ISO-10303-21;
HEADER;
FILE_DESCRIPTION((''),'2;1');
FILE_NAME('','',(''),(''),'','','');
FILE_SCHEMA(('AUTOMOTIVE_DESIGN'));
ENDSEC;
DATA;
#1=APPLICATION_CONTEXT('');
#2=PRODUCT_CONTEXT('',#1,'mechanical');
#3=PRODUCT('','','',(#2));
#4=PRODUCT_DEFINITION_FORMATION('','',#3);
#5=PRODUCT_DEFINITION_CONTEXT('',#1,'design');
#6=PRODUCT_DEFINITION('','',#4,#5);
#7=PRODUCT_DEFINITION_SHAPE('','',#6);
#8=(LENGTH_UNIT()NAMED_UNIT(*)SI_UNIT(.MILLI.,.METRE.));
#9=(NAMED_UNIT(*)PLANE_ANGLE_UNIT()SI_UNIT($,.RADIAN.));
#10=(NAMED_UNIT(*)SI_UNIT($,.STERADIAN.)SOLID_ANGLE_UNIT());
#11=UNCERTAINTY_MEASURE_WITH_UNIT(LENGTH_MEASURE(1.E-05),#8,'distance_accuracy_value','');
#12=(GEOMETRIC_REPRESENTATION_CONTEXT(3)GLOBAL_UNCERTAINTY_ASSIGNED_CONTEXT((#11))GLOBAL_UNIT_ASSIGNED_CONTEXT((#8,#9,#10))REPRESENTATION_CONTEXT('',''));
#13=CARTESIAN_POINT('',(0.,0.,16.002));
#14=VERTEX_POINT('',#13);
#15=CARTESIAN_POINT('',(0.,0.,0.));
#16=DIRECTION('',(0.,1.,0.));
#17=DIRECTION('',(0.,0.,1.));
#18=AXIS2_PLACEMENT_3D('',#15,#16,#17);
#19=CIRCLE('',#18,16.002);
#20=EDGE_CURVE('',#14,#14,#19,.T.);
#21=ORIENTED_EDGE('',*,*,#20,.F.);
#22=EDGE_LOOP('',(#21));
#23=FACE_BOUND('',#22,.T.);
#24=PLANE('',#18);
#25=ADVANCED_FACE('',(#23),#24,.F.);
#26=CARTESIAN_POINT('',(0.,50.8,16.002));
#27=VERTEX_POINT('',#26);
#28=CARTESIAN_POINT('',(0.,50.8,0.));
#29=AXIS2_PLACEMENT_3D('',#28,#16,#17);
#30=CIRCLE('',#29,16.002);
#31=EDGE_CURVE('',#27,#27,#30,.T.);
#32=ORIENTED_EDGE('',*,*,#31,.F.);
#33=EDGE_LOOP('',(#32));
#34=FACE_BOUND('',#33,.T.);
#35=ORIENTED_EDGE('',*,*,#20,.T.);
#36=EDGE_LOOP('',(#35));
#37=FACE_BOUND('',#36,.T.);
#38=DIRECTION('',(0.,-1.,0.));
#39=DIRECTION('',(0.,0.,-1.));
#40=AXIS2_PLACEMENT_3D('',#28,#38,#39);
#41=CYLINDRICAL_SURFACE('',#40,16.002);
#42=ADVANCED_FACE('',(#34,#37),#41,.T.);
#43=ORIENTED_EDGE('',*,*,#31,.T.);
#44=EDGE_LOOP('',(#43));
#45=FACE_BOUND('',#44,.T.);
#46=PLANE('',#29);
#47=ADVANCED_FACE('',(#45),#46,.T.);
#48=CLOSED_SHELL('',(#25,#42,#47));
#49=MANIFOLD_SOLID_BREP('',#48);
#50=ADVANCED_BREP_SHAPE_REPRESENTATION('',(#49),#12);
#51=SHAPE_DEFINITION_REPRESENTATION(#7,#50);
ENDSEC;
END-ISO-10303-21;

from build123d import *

# Parameters (mm, degrees)
SKETCH2_R           = 16.002
BOSS_EXTRUDE1_DEPTH = 50.8


with BuildPart() as part:
    # Sketch2 → Boss-Extrude1 (new body)
    with BuildSketch(Plane(origin=(0, 0, 0), x_dir=(1, 0, 0), z_dir=(0, 1, 0))):
        with Locations(Location((0, 0, 0), (0, 0, 270))):
            Circle(SKETCH2_R)
    extrude(amount=BOSS_EXTRUDE1_DEPTH)


solid = part.part
